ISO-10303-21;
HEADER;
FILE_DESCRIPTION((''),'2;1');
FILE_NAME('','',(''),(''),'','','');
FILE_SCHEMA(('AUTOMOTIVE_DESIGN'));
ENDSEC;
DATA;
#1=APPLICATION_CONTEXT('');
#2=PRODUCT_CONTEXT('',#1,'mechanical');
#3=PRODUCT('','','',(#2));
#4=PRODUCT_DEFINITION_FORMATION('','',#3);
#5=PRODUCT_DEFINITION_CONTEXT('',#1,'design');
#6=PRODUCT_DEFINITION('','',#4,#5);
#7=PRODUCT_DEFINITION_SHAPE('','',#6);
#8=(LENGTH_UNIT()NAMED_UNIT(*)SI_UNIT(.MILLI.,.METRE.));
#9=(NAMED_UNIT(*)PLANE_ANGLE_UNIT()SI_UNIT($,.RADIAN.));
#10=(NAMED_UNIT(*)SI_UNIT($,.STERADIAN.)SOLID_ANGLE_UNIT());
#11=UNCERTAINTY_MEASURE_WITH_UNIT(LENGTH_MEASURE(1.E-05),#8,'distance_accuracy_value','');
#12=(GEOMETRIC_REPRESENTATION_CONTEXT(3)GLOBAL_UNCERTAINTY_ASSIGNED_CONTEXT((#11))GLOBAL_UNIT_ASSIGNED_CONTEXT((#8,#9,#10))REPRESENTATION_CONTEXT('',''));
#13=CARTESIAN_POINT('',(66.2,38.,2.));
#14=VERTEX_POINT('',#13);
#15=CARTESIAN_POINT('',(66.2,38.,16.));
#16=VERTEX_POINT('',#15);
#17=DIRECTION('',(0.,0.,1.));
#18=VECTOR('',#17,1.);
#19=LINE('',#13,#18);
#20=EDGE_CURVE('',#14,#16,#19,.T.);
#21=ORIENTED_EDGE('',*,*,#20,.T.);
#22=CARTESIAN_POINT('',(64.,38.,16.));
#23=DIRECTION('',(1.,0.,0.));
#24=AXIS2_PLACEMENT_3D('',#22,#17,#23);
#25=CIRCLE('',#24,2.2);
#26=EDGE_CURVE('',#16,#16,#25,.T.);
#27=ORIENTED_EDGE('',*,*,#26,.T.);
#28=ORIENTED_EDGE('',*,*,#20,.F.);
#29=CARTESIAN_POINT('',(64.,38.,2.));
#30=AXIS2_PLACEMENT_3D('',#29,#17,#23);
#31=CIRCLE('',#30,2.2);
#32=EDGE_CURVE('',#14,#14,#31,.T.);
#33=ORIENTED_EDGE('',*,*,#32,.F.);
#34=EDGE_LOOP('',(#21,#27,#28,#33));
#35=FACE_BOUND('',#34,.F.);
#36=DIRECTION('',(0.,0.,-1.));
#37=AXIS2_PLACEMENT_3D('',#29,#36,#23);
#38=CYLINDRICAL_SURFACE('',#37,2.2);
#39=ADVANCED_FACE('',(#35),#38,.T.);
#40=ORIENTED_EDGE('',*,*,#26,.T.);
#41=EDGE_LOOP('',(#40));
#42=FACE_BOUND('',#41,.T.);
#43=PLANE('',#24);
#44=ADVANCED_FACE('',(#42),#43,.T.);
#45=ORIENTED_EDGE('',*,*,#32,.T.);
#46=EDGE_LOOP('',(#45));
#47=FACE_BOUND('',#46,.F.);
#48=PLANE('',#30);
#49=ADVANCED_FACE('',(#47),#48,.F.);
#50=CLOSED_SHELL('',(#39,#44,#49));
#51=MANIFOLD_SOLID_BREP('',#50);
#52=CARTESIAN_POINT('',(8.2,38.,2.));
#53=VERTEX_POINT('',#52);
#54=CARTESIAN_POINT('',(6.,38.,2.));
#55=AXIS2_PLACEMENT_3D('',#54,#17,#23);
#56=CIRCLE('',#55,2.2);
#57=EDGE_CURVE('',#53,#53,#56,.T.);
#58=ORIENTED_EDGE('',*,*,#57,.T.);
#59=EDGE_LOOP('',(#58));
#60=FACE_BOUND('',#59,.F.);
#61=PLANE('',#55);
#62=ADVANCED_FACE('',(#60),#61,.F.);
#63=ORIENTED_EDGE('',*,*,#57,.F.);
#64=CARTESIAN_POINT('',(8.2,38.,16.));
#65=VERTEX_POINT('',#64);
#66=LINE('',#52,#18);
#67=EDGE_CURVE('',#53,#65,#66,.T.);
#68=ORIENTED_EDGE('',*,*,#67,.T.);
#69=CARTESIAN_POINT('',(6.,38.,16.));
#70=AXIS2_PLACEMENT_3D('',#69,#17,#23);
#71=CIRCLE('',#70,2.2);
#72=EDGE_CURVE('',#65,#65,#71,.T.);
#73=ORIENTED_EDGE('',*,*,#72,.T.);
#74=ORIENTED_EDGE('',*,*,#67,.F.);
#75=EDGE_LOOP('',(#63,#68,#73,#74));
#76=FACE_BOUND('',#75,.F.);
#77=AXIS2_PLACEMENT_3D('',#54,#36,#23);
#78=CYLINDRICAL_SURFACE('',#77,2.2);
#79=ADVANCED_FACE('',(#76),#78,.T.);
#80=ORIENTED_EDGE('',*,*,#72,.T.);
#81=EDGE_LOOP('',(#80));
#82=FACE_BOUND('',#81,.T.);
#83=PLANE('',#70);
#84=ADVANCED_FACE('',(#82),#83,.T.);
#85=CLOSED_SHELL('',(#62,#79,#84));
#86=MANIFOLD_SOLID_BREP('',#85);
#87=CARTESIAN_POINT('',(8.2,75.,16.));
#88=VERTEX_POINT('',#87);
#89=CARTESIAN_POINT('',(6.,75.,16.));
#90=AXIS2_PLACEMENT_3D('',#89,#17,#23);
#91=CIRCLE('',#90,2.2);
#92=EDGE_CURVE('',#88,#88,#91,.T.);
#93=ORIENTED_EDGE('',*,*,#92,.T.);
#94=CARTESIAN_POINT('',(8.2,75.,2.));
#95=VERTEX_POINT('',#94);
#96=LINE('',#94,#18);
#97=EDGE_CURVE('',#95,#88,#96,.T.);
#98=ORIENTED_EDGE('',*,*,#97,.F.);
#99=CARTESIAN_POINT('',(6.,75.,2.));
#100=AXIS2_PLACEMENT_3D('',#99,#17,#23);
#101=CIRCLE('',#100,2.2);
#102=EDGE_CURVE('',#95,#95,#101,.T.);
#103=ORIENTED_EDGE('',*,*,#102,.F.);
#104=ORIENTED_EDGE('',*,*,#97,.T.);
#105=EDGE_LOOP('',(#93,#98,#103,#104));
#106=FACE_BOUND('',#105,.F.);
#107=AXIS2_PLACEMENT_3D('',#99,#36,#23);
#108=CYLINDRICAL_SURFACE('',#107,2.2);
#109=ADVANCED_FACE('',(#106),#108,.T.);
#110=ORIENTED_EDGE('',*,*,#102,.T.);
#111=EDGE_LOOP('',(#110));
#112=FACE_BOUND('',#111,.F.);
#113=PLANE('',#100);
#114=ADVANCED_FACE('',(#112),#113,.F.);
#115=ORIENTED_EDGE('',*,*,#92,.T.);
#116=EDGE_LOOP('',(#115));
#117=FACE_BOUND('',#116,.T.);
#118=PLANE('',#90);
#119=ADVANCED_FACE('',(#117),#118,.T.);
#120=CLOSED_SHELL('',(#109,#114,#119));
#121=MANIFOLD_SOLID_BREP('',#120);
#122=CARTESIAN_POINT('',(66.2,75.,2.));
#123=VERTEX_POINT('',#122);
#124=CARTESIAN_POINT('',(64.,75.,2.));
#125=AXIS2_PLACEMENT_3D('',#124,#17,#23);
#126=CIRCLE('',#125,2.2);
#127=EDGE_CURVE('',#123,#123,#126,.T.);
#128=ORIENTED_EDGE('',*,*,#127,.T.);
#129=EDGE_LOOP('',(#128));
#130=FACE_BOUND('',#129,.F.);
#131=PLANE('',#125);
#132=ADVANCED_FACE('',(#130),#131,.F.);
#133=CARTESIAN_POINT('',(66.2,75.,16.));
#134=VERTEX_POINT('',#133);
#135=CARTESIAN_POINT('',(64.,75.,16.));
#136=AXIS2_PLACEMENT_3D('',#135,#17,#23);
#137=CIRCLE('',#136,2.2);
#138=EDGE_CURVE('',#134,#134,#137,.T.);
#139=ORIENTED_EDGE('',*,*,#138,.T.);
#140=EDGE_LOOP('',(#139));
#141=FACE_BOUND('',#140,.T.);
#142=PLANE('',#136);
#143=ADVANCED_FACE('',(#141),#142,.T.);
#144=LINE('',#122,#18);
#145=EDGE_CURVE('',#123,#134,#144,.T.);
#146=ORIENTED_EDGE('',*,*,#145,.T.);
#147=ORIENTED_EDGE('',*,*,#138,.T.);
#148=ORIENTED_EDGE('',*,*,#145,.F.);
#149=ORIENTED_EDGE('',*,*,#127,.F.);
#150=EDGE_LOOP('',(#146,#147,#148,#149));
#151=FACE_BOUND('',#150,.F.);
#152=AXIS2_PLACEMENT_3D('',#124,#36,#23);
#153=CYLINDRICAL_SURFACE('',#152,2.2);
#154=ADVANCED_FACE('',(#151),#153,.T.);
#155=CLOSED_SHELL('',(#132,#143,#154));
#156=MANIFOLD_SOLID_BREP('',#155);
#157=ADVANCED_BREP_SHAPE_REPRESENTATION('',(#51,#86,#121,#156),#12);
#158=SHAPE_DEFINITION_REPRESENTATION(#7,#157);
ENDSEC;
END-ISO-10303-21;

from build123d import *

# Parameters (mm, degrees)
CYLINDER004_R     = 2.2
CYLINDER004_DEPTH = 14
CYLINDER005_R     = 2.2
CYLINDER005_DEPTH = 14
CYLINDER006_R     = 2.2
CYLINDER006_DEPTH = 14
CYLINDER007_R     = 2.2
CYLINDER007_DEPTH = 14


with BuildPart() as cylinder004:
    # Cylinder004 → Cylinder004 (new body)
    with BuildSketch(Plane(origin=(6, 75, 2), x_dir=(1, 0, 0), z_dir=(0, 0, 1))):
        Circle(CYLINDER004_R)
    extrude(amount=CYLINDER004_DEPTH)


with BuildPart() as cylinder005:
    # Cylinder005 → Cylinder005 (new body)
    with BuildSketch(Plane(origin=(64, 38, 2), x_dir=(1, 0, 0), z_dir=(0, 0, 1))):
        Circle(CYLINDER005_R)
    extrude(amount=CYLINDER005_DEPTH)


with BuildPart() as cylinder006:
    # Cylinder006 → Cylinder006 (new body)
    with BuildSketch(Plane(origin=(6, 38, 2), x_dir=(1, 0, 0), z_dir=(0, 0, 1))):
        Circle(CYLINDER006_R)
    extrude(amount=CYLINDER006_DEPTH)


with BuildPart() as bases001cuts:
    # Cylinder007 → Cylinder007 (new body)
    with BuildSketch(Plane(origin=(64, 75, 2), x_dir=(1, 0, 0), z_dir=(0, 0, 1))):
        Circle(CYLINDER007_R)
    extrude(amount=CYLINDER007_DEPTH)

    # Fusion001: union Cylinder004, Cylinder005, Cylinder006
    add(cylinder004.part)
    add(cylinder005.part)
    add(cylinder006.part)


solid = bases001cuts.part
